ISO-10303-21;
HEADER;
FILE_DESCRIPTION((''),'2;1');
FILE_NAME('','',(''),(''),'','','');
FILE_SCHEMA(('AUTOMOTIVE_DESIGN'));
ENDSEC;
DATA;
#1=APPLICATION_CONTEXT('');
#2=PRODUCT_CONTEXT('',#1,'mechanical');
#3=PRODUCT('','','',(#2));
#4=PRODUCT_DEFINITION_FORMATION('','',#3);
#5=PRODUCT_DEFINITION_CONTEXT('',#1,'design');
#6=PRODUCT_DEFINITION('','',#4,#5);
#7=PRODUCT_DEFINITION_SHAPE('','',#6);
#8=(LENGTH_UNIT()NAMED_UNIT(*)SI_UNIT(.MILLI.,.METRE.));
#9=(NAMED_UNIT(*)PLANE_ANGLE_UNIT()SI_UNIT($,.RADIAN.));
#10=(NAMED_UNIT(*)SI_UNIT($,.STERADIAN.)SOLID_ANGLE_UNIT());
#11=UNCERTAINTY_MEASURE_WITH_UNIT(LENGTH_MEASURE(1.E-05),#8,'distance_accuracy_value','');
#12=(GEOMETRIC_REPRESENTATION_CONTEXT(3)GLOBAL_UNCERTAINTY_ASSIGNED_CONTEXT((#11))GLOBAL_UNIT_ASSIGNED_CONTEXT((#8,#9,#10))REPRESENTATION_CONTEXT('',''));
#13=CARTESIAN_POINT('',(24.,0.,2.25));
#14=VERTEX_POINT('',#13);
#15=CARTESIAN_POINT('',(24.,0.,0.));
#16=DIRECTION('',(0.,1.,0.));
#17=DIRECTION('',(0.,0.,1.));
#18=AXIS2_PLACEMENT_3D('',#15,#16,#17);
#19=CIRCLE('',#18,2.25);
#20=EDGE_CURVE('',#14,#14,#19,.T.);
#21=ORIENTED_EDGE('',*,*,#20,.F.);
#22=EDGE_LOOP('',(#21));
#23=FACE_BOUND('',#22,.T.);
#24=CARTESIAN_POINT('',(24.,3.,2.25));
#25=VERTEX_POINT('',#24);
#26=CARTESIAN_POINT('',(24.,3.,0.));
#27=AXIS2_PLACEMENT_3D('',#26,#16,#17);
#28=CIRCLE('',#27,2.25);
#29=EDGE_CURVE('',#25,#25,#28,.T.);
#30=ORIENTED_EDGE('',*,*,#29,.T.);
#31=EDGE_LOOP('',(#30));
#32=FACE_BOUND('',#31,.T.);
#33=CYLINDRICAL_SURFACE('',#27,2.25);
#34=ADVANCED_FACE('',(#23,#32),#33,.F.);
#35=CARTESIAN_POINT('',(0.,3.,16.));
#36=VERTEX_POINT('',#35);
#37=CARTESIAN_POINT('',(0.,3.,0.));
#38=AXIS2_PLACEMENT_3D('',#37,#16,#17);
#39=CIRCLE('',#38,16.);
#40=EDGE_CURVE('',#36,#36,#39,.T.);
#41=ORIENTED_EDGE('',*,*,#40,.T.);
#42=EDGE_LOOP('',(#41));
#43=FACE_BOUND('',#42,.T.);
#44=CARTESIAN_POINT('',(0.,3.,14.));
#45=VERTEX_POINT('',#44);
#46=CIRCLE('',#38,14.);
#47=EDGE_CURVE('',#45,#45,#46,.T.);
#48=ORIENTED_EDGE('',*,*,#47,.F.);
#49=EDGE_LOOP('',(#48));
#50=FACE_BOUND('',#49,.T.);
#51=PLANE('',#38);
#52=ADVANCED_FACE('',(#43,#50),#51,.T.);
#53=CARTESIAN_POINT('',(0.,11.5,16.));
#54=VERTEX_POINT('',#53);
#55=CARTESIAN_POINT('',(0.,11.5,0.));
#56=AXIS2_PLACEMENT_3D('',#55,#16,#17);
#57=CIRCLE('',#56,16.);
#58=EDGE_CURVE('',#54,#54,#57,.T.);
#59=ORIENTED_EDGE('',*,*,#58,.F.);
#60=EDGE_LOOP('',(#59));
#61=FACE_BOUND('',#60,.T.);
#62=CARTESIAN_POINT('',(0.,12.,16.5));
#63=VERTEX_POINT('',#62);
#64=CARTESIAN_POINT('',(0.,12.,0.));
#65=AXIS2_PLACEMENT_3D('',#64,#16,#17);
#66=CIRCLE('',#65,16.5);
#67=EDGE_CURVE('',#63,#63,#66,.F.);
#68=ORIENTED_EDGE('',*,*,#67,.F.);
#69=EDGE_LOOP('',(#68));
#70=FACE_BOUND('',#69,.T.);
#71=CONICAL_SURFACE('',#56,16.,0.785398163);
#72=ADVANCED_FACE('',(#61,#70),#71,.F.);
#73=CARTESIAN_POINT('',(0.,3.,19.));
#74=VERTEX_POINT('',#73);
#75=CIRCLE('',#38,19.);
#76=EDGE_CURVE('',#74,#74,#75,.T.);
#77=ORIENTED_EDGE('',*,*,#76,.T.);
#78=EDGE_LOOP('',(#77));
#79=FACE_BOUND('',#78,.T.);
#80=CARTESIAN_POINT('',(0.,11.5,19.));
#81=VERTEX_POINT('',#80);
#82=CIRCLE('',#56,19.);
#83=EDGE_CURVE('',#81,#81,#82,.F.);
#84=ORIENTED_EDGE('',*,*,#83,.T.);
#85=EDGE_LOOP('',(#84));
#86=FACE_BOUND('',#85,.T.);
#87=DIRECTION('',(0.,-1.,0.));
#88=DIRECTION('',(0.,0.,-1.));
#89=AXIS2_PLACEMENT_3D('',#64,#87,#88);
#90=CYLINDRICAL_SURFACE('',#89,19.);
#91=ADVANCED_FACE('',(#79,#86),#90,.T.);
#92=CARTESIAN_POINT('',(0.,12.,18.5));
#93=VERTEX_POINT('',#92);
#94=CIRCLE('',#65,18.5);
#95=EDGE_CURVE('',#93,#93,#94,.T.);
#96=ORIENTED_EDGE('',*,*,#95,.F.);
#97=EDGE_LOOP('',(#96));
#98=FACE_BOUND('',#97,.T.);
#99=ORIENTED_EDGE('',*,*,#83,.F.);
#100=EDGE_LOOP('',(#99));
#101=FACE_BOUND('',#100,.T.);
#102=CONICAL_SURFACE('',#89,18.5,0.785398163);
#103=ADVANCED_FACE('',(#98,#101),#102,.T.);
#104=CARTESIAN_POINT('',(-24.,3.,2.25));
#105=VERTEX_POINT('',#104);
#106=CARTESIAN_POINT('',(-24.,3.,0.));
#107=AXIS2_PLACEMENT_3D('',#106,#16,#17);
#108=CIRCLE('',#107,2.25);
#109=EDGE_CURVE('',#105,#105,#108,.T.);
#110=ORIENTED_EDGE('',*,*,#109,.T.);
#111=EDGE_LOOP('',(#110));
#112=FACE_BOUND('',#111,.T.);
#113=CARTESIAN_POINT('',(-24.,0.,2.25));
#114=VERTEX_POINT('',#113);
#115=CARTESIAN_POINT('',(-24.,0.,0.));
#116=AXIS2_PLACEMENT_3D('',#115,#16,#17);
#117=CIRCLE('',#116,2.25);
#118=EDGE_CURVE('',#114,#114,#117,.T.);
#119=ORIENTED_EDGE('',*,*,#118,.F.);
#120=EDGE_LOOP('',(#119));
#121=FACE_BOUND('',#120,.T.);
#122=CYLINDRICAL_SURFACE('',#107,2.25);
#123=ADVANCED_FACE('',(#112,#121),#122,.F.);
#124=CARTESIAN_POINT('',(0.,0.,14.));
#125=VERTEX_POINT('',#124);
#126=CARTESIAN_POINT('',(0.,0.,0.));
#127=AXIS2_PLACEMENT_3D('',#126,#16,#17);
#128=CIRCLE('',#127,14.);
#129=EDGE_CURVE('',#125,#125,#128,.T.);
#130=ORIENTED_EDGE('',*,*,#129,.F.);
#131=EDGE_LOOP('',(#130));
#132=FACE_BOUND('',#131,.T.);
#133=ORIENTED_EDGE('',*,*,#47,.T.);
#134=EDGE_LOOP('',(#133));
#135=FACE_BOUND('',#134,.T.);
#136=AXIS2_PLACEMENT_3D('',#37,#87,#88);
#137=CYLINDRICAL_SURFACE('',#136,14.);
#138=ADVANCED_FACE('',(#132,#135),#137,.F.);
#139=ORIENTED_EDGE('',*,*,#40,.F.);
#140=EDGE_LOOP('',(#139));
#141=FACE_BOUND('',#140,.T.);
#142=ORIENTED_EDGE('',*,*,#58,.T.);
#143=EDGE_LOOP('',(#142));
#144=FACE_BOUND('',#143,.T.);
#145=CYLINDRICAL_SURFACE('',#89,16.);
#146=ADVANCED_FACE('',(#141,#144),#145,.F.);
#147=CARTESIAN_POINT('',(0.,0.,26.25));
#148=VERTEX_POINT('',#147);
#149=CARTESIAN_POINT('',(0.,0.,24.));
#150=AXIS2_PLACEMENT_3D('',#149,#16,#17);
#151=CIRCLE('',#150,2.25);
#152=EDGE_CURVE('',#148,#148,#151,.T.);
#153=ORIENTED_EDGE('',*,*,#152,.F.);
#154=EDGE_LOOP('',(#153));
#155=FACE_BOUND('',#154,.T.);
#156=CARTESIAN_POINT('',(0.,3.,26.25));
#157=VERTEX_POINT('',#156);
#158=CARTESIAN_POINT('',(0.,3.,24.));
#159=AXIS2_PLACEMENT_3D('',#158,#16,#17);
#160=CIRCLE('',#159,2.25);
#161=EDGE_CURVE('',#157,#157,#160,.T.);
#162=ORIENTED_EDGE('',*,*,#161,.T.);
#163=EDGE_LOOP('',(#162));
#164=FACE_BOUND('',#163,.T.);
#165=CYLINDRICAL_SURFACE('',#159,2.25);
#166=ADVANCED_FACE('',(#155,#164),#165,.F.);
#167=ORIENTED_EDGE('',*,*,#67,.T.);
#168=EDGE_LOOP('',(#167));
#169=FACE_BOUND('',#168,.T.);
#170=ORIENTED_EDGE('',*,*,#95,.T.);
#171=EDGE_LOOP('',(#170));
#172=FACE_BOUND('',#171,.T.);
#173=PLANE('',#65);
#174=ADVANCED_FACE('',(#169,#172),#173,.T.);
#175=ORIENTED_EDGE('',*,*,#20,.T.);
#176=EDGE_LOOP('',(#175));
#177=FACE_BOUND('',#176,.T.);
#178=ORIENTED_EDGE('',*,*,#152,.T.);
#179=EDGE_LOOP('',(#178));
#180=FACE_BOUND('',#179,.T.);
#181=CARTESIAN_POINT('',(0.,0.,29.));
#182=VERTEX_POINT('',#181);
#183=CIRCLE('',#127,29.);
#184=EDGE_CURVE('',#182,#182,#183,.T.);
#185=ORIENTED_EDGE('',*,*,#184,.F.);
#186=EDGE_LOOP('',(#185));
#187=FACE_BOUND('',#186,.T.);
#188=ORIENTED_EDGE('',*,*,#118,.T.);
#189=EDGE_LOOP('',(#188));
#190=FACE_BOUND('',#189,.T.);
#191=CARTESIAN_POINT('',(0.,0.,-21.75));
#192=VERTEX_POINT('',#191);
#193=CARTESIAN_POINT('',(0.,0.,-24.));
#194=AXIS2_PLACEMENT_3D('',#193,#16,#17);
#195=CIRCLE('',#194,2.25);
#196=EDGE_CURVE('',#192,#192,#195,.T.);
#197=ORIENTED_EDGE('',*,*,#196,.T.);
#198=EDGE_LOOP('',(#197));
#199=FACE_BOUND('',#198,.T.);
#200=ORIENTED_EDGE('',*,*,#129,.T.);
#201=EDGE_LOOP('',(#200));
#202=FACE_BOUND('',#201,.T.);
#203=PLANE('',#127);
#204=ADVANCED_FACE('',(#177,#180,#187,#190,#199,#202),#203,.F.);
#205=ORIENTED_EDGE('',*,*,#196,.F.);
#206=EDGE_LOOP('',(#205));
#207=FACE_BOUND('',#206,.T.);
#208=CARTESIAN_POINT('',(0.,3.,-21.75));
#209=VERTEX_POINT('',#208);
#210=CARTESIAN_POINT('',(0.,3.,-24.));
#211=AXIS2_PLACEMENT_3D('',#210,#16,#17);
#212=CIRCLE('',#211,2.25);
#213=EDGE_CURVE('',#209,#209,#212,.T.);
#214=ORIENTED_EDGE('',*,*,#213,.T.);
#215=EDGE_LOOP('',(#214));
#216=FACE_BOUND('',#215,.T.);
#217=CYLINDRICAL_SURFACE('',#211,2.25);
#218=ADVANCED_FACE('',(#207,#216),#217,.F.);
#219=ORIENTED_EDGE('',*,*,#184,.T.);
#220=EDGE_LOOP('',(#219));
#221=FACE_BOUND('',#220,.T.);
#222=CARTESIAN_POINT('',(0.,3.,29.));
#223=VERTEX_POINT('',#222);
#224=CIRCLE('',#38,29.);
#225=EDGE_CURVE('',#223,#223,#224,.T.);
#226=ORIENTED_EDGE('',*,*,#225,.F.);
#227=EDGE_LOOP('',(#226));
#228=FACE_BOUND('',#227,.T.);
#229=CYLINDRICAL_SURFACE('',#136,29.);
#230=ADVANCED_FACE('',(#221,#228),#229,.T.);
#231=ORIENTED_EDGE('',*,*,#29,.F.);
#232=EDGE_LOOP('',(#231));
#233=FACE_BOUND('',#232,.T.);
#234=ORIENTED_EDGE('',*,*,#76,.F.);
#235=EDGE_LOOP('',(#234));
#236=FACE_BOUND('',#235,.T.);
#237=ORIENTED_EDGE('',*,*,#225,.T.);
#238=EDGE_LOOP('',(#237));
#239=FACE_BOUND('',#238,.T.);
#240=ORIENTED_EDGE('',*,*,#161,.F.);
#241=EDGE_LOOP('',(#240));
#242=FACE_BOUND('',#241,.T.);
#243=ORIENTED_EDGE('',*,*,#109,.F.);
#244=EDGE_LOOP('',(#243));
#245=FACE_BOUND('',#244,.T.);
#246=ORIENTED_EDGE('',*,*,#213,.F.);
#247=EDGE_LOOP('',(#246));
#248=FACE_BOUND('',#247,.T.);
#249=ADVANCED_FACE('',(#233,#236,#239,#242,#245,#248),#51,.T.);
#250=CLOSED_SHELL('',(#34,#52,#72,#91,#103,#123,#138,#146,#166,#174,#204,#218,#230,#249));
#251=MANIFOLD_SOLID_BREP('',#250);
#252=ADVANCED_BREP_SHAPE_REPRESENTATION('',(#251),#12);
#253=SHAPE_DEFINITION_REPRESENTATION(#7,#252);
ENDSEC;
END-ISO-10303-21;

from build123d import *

# Parameters (mm, degrees)
SKETCH1_R            = 29
SKETCH1_R_2          = 14
SKETCH1_R_3          = 1
BOSS_EXTRUDE1_DEPTH  = 3
SKETCH2_R            = 19
SKETCH2_R_2          = 16
BOSS_EXTRUDE2_DEPTH  = 9
M4_CLEARANCE_HOLE1_D = 4.5
CHAMFER1_SIZE        = 0.5


with BuildPart() as part:
    # Sketch1 → Boss-Extrude1 (new body)
    with BuildSketch(Plane(origin=(0, 0, 0), x_dir=(1, 0, 0), z_dir=(0, 1, 0))):
        with Locations(Location((0, 0, 0), (0, 0, 270))):
            Circle(SKETCH1_R)
        with Locations(Location((0, 0, 0), (0, 0, 270))):
            Circle(SKETCH1_R_2, mode=Mode.SUBTRACT)
        with Locations(Location((0, 24, 0), (0, 0, 270))):
            Circle(SKETCH1_R_3, mode=Mode.SUBTRACT)
        with Locations(Location((24, 0, 0), (0, 0, 270))):
            Circle(SKETCH1_R_3, mode=Mode.SUBTRACT)
        with Locations(Location((0, -24, 0), (0, 0, 270))):
            Circle(SKETCH1_R_3, mode=Mode.SUBTRACT)
        with Locations(Location((-24, 0, 0), (0, 0, 270))):
            Circle(SKETCH1_R_3, mode=Mode.SUBTRACT)
    extrude(amount=BOSS_EXTRUDE1_DEPTH)

    # Sketch2 → Boss-Extrude2 (add)
    with BuildSketch(Plane(origin=(0, 3, 0), x_dir=(1, 0, 0), z_dir=(0, 1, 0))):
        with Locations(Location((0, 0, 0), (0, 0, 270))):
            Circle(SKETCH2_R)
        with Locations(Location((0, 0, 0), (0, 0, 270))):
            Circle(SKETCH2_R_2, mode=Mode.SUBTRACT)
    extrude(amount=BOSS_EXTRUDE2_DEPTH)

    # M4 Clearance Hole1 (through all)
    with Locations(Plane(origin=(0, 3, 0), x_dir=(1, 0, 0), z_dir=(0, 1, 0))):
        with Locations((0, 24), (24, 0), (0, -24), (-24, 0)):
            Hole(M4_CLEARANCE_HOLE1_D / 2)

    # Chamfer1
    chamfer1_edges = [part.edges().sort_by_distance(p)[0] for p in [
        (0, 12, -19),
        (0, 12, -16),
    ]]
    chamfer(chamfer1_edges, length=CHAMFER1_SIZE)


solid = part.part
